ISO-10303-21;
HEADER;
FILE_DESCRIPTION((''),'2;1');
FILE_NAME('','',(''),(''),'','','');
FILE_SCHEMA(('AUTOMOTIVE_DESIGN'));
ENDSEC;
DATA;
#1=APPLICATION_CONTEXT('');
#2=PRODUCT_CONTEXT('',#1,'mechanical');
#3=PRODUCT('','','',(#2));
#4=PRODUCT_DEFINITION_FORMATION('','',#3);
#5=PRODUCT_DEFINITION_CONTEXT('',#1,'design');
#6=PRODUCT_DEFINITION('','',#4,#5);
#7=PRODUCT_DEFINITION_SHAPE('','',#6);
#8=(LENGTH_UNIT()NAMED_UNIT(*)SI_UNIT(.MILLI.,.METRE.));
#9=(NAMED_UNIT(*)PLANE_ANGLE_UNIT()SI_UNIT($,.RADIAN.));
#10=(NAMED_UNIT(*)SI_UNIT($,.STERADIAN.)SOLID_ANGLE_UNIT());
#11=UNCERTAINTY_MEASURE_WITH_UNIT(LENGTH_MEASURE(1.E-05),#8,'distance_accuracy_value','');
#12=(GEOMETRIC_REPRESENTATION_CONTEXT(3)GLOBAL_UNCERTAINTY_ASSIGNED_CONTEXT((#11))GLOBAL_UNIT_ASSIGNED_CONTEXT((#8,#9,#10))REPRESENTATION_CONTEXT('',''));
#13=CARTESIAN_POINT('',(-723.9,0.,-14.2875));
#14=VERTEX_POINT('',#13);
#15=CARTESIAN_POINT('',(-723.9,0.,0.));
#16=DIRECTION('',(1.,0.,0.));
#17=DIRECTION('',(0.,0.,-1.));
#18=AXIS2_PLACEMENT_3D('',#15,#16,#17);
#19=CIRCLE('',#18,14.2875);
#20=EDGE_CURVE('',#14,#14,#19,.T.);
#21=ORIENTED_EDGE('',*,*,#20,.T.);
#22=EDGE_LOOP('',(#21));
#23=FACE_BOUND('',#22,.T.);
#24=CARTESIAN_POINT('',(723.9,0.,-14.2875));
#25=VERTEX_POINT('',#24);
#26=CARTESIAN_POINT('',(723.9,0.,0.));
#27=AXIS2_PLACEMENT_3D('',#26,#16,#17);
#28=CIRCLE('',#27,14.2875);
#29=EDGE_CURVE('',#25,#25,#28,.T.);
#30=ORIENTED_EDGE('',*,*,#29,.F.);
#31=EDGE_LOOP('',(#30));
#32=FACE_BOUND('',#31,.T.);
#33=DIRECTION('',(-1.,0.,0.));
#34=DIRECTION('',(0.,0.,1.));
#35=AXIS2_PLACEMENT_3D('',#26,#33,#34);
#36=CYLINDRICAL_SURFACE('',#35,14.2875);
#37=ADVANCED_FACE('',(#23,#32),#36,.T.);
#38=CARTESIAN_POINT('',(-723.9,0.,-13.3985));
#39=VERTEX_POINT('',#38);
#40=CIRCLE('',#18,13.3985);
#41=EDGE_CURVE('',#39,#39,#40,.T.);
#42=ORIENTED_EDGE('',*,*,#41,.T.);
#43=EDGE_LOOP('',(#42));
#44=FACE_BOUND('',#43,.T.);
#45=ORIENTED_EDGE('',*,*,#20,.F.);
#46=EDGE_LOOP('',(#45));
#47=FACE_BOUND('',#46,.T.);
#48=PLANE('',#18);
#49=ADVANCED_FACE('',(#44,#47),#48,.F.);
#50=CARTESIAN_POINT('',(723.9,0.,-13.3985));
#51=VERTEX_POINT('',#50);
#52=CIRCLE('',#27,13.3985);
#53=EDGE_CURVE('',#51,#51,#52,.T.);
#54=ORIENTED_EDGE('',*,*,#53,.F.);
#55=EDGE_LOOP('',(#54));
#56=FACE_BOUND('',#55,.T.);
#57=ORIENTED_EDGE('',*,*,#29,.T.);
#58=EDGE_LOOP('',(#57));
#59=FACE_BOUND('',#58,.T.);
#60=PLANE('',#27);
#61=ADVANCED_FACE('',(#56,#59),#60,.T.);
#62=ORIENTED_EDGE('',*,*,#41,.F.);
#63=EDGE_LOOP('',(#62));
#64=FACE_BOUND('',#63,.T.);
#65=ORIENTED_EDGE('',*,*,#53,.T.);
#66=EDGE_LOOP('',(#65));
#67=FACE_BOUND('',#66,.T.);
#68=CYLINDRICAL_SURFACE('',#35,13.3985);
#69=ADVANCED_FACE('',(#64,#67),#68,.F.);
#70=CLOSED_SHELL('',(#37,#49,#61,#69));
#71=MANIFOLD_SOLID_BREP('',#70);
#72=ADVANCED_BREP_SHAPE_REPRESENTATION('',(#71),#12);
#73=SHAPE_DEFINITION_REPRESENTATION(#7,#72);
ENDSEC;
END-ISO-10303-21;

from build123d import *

# Parameters (mm, degrees)
SKETCH1_R      = 14.2875
SKETCH1_R_2    = 13.3985
EXTRUDE1_DEPTH = 723.9


with BuildPart() as part:
    # Sketch1 → Extrude1 (new body, symmetric)
    with BuildSketch(Plane(origin=(0, 0, 0), x_dir=(0, 0, -1), z_dir=(1, 0, 0))):
        Circle(SKETCH1_R)
        Circle(SKETCH1_R_2, mode=Mode.SUBTRACT)
    extrude(amount=EXTRUDE1_DEPTH, both=True)


solid = part.part
